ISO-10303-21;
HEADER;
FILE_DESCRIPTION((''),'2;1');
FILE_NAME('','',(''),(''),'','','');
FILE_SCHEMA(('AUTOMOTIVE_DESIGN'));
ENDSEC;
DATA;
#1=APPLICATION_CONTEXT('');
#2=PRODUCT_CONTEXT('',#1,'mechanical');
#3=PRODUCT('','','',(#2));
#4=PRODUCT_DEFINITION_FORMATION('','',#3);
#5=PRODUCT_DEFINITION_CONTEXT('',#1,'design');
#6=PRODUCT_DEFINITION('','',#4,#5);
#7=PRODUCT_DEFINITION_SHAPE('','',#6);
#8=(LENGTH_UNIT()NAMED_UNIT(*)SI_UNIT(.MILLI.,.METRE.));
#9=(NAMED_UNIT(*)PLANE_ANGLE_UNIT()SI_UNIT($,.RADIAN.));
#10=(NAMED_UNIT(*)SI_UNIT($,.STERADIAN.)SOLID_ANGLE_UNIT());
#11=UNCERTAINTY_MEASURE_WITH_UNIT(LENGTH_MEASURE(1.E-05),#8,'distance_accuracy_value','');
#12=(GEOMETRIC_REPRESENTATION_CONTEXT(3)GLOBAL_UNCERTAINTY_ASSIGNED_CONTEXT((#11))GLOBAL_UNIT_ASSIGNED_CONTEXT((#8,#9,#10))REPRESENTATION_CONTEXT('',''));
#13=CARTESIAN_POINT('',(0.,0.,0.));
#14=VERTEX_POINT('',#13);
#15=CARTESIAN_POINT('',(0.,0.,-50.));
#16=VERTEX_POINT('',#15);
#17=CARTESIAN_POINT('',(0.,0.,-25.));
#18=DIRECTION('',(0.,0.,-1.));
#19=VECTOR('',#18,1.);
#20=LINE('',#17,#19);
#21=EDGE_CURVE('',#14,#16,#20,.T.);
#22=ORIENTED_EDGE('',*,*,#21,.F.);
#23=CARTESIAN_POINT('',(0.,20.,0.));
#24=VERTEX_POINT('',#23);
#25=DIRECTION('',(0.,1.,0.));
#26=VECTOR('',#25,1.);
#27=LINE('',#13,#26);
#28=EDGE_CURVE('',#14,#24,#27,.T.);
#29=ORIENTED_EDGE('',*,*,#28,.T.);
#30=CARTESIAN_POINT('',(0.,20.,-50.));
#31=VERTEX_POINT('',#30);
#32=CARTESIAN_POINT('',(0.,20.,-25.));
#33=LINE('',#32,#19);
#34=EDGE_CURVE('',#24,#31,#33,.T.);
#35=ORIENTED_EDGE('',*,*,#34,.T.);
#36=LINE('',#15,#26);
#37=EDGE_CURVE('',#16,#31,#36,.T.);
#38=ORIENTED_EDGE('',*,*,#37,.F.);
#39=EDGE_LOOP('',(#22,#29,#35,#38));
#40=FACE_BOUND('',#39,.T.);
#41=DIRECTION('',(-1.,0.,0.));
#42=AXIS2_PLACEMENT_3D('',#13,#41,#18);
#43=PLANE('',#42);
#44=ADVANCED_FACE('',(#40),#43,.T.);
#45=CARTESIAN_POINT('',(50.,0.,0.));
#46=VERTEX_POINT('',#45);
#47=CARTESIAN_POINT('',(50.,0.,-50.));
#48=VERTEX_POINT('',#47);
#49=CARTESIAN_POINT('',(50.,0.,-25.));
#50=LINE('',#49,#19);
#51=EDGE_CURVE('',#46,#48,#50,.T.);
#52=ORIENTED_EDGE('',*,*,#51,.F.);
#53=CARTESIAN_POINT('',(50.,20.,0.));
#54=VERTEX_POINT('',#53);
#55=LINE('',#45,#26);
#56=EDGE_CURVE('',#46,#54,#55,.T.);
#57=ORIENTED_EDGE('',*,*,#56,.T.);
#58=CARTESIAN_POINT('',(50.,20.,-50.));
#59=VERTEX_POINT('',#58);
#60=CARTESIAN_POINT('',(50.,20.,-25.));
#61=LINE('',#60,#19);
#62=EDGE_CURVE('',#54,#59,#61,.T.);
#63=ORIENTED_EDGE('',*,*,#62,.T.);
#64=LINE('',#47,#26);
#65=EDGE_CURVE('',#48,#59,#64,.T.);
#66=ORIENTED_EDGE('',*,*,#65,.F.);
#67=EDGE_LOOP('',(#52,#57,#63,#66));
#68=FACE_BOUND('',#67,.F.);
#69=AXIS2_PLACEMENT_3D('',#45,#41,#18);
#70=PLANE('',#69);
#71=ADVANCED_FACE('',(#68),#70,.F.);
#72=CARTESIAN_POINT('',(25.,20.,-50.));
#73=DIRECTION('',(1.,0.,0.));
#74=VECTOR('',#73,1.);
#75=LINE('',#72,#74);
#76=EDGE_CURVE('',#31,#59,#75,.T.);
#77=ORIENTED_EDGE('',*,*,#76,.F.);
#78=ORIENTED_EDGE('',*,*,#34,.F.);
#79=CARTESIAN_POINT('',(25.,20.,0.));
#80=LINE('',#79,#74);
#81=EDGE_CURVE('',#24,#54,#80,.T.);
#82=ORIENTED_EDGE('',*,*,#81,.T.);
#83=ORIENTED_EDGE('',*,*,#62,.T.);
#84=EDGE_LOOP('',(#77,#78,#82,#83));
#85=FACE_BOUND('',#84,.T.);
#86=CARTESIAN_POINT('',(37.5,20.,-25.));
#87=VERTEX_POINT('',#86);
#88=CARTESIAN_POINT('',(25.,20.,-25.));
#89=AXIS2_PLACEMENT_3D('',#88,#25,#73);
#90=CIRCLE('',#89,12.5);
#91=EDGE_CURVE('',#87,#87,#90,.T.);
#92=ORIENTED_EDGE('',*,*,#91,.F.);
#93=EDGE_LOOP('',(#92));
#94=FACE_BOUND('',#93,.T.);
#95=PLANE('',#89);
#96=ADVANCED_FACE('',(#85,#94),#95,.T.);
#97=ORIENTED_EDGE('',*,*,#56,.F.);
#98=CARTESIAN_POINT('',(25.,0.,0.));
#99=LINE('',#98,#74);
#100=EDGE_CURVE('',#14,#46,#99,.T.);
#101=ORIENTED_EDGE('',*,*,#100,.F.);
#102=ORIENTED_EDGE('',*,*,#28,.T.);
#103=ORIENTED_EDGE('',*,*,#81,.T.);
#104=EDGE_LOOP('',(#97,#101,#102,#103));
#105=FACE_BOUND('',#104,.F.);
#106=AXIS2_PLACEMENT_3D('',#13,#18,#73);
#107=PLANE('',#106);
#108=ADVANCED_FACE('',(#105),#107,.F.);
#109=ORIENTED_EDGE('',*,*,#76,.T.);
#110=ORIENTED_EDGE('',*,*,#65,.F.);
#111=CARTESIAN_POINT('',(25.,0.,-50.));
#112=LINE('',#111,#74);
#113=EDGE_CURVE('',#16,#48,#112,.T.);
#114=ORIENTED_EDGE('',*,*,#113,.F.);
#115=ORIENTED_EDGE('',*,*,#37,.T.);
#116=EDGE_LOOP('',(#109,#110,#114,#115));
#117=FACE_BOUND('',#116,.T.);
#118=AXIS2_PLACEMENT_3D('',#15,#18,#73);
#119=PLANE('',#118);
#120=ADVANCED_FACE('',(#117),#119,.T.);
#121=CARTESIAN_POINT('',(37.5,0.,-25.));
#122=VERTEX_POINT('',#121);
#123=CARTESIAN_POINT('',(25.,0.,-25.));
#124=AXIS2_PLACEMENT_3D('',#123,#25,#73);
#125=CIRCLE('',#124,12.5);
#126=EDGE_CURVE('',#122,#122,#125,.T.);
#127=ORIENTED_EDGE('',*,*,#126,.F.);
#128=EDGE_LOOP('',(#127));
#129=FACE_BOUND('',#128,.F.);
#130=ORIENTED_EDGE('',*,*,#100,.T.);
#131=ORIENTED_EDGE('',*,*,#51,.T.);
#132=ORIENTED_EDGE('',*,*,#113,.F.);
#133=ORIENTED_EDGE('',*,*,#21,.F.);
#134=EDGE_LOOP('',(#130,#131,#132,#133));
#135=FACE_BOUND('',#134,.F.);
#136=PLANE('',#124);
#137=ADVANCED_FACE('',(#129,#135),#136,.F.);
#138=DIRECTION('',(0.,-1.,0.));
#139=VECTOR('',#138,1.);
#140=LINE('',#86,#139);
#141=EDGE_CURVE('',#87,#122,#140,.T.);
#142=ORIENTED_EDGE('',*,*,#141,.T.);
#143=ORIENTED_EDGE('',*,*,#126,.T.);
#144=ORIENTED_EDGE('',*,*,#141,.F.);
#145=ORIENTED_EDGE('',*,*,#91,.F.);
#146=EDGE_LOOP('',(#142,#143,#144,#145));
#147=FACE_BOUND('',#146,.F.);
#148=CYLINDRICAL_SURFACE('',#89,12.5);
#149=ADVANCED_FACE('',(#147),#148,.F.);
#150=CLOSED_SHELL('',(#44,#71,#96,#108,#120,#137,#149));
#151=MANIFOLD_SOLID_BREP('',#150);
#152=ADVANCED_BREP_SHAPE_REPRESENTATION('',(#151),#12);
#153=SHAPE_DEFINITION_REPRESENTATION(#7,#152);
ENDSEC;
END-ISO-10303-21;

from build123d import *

# Parameters (mm, degrees)
SKETCH1_W           = 50
SKETCH1_H           = 50
BOSS_EXTRUDE1_DEPTH = 20
SKETCH2_R           = 12.5
CUT_EXTRUDE1_DEPTH  = 30


with BuildPart() as part:
    # Sketch1 → Boss-Extrude1 (new body)
    with BuildSketch(Plane(origin=(0, 0, 0), x_dir=(1, 0, 0), z_dir=(0, 1, 0))):
        with Locations((25, 25)):
            Rectangle(SKETCH1_W, SKETCH1_H)
    extrude(amount=BOSS_EXTRUDE1_DEPTH)

    # Sketch2 → Cut-Extrude1 (cut)
    with BuildSketch(Plane(origin=(0, 20, 0), x_dir=(1, 0, 0), z_dir=(0, 1, 0))):
        with Locations((25, 25)):
            Circle(SKETCH2_R)
    extrude(amount=-CUT_EXTRUDE1_DEPTH, mode=Mode.SUBTRACT)


solid = part.part
